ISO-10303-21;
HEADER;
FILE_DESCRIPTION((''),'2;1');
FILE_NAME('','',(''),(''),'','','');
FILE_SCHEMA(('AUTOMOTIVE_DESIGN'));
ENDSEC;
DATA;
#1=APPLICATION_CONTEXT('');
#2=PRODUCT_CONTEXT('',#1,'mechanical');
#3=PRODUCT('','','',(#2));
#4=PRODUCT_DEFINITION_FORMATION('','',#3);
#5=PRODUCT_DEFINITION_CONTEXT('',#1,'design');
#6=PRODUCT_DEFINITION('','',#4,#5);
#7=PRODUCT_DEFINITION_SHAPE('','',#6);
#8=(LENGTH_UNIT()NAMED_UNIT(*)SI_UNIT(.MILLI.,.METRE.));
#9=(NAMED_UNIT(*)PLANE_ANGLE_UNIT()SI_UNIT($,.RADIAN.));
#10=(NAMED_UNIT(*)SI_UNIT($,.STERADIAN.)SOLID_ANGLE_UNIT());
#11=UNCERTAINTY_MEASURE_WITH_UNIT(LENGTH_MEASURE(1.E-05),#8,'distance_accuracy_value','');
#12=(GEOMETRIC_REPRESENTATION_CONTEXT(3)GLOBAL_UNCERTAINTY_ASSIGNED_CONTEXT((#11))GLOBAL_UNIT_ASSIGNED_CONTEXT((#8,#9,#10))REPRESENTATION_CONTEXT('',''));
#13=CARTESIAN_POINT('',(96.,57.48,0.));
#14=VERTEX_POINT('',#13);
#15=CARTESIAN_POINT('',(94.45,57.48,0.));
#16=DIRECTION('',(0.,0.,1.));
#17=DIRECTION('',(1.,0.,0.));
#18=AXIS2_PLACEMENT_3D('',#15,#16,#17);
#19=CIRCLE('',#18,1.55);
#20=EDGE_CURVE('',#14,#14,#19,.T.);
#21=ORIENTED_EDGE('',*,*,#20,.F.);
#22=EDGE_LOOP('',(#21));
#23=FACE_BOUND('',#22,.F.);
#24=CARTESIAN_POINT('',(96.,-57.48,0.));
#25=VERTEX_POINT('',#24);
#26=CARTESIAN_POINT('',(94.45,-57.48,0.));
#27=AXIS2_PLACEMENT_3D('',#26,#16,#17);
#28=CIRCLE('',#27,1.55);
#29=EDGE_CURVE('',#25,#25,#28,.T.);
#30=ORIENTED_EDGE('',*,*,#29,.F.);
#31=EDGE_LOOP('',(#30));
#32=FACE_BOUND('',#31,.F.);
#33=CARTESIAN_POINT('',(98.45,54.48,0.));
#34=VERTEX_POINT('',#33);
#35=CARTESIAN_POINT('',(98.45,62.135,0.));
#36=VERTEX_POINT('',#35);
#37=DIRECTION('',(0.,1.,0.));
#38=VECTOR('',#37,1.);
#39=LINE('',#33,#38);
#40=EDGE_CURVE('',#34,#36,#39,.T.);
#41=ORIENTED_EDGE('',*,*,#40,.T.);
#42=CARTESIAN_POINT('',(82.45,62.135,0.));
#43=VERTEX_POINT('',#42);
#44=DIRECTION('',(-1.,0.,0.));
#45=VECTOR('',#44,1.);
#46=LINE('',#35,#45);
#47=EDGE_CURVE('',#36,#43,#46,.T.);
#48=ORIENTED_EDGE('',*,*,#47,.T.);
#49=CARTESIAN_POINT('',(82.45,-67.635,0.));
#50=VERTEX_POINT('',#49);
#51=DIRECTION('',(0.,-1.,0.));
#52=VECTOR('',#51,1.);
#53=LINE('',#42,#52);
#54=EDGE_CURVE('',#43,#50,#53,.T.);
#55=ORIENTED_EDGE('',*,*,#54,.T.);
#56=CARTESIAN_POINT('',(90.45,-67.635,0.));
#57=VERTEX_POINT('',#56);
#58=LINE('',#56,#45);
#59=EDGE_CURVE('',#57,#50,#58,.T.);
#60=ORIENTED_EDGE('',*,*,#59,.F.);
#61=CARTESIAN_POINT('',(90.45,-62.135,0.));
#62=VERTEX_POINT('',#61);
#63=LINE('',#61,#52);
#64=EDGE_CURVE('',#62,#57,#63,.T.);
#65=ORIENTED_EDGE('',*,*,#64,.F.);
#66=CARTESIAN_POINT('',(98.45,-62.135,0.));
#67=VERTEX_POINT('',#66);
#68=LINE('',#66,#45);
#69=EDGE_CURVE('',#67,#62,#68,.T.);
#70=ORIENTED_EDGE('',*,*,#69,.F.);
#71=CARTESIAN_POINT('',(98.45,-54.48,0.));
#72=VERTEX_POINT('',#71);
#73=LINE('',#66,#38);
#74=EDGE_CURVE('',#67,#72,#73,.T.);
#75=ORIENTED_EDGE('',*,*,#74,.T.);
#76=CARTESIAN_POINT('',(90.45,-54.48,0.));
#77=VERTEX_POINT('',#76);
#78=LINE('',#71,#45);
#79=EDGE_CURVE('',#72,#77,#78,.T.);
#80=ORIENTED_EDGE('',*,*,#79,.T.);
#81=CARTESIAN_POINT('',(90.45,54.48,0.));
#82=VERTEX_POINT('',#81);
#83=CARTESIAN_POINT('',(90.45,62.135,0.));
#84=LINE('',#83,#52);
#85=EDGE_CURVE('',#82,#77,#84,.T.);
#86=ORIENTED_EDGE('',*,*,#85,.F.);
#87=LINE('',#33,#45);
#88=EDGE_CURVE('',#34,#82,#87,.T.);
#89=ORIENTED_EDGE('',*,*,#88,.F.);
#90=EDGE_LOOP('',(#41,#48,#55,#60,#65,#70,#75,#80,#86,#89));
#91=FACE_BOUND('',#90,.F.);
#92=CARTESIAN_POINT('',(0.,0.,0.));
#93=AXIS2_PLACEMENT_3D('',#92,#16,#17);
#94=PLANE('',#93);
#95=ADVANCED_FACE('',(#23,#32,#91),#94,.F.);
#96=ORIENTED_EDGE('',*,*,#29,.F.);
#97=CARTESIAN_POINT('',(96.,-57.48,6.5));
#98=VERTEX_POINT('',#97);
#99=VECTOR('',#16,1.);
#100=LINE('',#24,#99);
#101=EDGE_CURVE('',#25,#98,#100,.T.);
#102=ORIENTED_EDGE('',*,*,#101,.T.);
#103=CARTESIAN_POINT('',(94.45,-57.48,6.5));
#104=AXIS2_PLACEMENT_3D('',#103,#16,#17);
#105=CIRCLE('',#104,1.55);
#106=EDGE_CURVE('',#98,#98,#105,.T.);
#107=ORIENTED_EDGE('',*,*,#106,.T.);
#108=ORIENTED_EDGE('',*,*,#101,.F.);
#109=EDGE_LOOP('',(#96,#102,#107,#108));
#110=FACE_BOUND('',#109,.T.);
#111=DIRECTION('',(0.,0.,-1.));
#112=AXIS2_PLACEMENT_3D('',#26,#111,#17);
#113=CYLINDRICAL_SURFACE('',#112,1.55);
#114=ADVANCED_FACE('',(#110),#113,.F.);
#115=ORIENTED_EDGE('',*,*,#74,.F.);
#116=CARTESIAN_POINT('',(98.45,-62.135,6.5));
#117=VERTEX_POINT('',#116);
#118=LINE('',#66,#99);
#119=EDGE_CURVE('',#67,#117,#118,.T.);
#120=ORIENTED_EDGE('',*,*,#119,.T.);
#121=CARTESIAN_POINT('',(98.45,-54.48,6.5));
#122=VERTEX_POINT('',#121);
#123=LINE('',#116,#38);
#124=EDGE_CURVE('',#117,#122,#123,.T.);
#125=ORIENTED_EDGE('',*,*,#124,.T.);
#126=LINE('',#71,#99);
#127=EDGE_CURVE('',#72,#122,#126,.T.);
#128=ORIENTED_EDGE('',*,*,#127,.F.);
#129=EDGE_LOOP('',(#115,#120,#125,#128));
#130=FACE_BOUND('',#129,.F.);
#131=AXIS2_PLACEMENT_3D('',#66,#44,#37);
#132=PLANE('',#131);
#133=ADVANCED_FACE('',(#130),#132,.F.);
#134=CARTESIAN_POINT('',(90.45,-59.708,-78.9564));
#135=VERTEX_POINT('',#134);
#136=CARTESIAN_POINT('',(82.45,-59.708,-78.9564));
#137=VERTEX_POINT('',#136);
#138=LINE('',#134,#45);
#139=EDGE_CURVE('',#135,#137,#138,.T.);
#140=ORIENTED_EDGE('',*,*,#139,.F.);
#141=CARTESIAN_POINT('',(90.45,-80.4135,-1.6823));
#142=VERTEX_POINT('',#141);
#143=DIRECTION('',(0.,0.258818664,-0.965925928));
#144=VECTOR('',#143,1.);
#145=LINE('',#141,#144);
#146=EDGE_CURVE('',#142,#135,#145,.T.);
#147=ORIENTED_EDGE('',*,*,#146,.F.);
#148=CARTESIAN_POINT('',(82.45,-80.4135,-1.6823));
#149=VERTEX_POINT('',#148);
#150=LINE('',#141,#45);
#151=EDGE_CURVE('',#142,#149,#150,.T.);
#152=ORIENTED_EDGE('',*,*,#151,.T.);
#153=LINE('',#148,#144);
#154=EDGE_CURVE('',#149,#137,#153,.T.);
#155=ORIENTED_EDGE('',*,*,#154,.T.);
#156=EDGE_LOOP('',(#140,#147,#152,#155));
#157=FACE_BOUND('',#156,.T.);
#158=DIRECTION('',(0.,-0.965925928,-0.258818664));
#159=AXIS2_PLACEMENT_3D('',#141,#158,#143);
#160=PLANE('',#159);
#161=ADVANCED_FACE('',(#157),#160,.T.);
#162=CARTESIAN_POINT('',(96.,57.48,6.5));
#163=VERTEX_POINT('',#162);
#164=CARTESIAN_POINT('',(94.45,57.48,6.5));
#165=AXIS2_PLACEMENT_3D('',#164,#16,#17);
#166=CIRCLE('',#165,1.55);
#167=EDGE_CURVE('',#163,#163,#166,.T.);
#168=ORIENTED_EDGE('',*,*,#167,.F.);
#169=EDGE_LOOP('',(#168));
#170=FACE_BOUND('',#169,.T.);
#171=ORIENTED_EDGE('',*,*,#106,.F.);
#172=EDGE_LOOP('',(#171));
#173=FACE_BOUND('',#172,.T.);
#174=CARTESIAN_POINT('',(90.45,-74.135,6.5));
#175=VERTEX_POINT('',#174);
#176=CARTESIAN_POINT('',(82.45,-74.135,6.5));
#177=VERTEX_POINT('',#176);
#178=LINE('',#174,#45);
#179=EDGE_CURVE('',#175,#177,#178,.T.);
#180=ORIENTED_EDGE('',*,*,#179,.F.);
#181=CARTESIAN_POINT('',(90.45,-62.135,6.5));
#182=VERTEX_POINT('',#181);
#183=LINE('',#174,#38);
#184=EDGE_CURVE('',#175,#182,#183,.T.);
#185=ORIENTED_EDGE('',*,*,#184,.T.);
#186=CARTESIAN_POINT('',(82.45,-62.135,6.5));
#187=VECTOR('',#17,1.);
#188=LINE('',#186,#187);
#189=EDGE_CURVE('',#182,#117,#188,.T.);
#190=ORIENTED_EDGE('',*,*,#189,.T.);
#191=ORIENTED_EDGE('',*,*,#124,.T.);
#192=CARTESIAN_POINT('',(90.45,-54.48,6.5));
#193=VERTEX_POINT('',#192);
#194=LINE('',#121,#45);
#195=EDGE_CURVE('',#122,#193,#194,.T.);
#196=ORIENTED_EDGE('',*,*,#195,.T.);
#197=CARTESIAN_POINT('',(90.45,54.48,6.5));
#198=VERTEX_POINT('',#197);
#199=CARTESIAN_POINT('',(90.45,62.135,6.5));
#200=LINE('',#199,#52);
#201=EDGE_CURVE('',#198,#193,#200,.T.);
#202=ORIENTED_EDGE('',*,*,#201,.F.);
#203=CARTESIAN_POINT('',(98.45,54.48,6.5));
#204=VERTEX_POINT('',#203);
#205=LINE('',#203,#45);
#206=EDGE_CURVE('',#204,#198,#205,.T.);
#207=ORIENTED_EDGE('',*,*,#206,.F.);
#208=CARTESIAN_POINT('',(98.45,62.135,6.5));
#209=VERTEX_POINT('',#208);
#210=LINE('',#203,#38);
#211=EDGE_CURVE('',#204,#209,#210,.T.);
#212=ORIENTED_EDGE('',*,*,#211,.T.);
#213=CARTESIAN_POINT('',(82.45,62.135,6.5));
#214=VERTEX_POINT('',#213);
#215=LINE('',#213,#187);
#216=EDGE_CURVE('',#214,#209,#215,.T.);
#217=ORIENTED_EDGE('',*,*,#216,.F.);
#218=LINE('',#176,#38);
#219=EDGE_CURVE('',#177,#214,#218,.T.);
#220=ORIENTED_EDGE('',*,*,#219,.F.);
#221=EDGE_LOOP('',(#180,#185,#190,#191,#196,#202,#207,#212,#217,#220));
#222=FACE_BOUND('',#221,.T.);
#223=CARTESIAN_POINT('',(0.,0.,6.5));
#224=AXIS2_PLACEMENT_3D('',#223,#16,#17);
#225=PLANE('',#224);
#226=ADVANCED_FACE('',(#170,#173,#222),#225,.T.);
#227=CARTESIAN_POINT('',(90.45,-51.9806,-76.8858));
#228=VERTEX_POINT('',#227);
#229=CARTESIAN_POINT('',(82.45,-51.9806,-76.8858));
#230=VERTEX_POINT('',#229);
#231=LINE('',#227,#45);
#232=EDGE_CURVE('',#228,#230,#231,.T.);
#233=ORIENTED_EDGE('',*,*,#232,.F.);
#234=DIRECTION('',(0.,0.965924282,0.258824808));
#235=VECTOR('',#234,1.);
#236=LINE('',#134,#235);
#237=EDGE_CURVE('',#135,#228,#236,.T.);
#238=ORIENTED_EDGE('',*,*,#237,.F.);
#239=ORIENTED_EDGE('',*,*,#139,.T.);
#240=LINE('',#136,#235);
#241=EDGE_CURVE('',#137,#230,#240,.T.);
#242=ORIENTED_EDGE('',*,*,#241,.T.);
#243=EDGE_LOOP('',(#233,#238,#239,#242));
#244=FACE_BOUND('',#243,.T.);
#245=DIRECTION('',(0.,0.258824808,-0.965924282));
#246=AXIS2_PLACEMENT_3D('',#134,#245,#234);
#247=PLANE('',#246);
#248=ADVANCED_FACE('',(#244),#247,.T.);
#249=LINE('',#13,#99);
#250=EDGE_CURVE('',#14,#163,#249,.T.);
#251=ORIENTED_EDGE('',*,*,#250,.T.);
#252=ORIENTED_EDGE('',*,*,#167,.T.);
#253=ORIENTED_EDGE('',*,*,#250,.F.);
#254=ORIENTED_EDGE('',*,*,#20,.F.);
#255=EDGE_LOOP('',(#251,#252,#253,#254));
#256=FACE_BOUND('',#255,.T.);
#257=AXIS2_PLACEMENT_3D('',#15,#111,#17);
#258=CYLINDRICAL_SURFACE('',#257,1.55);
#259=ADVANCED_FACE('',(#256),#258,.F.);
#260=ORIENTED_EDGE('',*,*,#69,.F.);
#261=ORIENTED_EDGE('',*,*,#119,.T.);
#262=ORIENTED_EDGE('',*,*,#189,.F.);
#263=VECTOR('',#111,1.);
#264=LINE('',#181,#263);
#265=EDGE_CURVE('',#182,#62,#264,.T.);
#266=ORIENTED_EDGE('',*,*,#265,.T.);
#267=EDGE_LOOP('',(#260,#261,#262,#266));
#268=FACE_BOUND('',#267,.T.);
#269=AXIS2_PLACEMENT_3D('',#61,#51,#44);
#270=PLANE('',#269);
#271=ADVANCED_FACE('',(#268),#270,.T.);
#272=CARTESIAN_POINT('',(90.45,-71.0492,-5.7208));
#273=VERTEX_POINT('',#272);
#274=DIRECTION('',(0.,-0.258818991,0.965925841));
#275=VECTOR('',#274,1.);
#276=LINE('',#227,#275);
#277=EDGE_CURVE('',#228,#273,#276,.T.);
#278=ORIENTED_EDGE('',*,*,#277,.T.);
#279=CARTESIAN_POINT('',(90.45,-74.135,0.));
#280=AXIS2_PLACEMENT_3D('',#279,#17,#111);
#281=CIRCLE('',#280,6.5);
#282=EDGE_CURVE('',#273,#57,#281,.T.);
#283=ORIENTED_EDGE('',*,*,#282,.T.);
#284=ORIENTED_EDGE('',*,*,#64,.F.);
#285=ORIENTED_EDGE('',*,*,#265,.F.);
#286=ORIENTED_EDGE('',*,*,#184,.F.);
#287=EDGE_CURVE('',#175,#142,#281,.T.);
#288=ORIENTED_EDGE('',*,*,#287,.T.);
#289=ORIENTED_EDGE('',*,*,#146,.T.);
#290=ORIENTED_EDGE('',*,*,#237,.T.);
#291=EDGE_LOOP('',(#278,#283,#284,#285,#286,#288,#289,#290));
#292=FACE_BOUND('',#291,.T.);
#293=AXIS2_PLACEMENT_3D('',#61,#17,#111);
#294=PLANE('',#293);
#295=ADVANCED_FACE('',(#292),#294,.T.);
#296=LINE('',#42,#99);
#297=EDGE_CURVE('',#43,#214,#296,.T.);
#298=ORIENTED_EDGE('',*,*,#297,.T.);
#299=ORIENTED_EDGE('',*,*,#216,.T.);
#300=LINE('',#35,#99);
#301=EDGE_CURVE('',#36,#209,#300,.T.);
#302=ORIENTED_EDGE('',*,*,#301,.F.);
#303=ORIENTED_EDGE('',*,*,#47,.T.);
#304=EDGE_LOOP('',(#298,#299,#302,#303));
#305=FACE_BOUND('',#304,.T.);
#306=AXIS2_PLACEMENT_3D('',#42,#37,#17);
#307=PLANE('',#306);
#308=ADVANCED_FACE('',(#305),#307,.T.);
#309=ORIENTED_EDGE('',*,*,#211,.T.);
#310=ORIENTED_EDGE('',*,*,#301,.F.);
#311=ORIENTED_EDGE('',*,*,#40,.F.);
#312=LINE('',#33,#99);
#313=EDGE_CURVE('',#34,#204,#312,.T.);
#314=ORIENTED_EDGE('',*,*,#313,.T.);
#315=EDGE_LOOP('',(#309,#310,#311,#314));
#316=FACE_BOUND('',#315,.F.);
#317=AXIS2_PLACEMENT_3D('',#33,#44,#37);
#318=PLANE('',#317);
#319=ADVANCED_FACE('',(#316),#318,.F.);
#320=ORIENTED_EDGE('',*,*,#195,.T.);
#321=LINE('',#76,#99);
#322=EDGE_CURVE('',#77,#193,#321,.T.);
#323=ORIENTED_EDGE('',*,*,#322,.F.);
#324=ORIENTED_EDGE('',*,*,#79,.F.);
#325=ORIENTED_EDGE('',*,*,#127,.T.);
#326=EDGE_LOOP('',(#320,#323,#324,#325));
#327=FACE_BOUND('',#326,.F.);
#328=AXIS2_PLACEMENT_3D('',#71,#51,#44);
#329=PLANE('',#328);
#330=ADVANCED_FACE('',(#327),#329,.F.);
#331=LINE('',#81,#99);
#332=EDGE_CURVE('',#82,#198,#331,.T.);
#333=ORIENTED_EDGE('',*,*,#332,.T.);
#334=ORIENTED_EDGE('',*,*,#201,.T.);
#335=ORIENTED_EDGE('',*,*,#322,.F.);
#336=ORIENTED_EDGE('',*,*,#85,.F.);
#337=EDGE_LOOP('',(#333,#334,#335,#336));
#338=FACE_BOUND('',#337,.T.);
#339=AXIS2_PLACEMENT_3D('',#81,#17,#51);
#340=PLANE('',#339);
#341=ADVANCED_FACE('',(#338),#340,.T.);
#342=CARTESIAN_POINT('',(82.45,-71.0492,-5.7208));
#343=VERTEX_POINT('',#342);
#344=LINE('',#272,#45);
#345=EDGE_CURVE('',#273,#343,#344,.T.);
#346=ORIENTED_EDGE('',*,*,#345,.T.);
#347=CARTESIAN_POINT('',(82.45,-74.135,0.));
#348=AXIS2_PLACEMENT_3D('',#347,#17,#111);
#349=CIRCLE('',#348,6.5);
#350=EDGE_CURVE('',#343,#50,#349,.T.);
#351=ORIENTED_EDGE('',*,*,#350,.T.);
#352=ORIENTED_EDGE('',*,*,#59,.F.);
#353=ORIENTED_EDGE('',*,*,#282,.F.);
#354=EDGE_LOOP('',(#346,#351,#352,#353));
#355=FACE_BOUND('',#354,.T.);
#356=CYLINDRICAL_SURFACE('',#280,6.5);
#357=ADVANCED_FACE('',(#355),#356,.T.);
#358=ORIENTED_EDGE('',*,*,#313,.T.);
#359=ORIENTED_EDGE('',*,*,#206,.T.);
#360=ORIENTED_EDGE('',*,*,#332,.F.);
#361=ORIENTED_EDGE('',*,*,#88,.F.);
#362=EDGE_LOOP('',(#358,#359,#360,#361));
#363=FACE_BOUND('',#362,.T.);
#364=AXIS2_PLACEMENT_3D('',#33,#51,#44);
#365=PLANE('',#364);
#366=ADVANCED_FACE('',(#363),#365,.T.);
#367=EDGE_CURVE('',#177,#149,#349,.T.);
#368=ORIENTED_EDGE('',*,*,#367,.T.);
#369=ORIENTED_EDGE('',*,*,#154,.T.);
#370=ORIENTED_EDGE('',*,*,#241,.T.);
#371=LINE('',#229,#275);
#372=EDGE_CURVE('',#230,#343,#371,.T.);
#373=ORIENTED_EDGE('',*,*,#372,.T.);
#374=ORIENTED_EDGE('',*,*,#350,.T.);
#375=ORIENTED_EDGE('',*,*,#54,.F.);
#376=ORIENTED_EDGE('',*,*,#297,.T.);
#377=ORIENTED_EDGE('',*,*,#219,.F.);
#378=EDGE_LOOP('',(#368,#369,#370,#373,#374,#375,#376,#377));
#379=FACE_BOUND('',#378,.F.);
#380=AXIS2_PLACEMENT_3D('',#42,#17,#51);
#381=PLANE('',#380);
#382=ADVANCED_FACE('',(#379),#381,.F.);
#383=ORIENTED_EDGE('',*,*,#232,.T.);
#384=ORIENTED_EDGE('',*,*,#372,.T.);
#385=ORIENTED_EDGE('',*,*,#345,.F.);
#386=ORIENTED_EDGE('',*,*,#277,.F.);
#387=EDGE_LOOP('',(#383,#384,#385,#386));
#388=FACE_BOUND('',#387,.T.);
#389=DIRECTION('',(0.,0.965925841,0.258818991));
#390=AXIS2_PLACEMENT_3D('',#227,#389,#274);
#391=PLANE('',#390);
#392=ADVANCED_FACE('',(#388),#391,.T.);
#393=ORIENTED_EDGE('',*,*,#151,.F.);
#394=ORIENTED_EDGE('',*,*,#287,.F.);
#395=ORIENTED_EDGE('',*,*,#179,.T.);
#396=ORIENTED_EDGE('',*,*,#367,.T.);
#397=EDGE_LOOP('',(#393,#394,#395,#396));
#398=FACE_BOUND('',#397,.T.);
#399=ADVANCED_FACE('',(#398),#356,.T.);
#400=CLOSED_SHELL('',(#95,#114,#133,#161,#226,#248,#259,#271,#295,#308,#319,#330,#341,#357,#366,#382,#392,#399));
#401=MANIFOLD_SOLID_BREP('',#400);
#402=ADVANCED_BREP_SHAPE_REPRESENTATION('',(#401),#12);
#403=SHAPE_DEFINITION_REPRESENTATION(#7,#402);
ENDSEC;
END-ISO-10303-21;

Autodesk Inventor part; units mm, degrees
ref_plane "YZ Plane" through (0, 0, 0) normal (1, 0, 0) x (0, 1, 0)
ref_plane "XZ Plane" through (0, 0, 0) normal (0, 1, 0) x (-1, 0, 0)
ref_plane "XY Plane" through (0, 0, 0) normal (0, 0, 1) x (1, 0, 0)
sketch "Sketch1" plane through (0, 0, 0) normal (0, 0, 1) x (1, 0, 0)
  line L0 (74.45, 62.135) -> (82.45, 62.135) construction
  line L1 (82.45, 62.135) -> (82.45, -62.135)
  line L2 (82.45, -62.135) -> (74.45, -62.135) construction
  circle A0 centre (78.45, 57.48) radius 1.55 construction
  circle A1 centre (78.45, -57.48) radius 1.55
  line L3 (78.45, 57.48) -> (78.45, -57.48) construction
  line L4 (74.45, 0) -> (82.45, 0) construction
  line L5 (74.45, 57.48) -> (82.45, 57.48) construction
  line L6 (74.45, 54.48) -> (82.45, 54.48) construction
  line L7 (74.45, -54.48) -> (82.45, -54.48) construction
  line L8 (82.45, 62.135) -> (90.45, 62.135)
  line L9 (90.45, 62.135) -> (90.45, -62.135)
  line L10 (90.45, -62.135) -> (82.45, -62.135)
  line L11 (82.45, -62.135) -> (82.45, 62.135)
  line L12 (74.45, -62.135) -> (74.45, -54.48) construction
  line L13 (74.45, 54.48) -> (74.45, 62.135) construction
  line L14 (74.45, 54.48) -> (74.45, -54.48) construction
  line L15 (0, 79.555) -> (0, -87.364) construction
  line L16 (74.45, -54.48) -> (82.45, -54.48) construction
  line L17 (82.45, -54.48) -> (82.45, -62.135)
  line L18 (82.45, -62.135) -> (74.45, -62.135) construction
  line L19 (74.45, -62.135) -> (74.45, -54.48) construction
  line L20 (86.45, 62.135) -> (86.45, -62.135) construction
  line L21 (98.45, 62.135) -> (90.45, 62.135)
  line L22 (90.45, 62.135) -> (90.45, -62.135)
  line L23 (90.45, -62.135) -> (98.45, -62.135)
  circle A2 centre (94.45, 57.48) radius 1.55
  circle A3 centre (94.45, -57.48) radius 1.55
  line L24 (98.45, 54.48) -> (90.45, 54.48)
  line L25 (98.45, -54.48) -> (90.45, -54.48)
  line L26 (98.45, 54.48) -> (98.45, 62.135)
  line L27 (98.45, -62.135) -> (98.45, -54.48)
  line L28 (90.45, -54.48) -> (90.45, -62.135)
  line L29 (90.45, -54.48) -> (98.45, -54.48)
  line L30 (98.45, -54.48) -> (98.45, -62.135)
  line L31 (98.45, -62.135) -> (90.45, -62.135)
  line L32 (90.45, -62.135) -> (90.45, -54.48)
  point P0 (0, 0)
  point P1 (78.45, 0)
  point P2 (78.45, 0)
  point P3 (78.45, 62.135)
  point P4 (78.45, -62.135)
  dimension "d0" = 124.27
  dimension "d1" = 8
  dimension "d2" = 3.1
  dimension "d3" = 3.1
  dimension "d4" = 114.96
  dimension "d5" = 3
  dimension "d6" = 78.45
  dimension "d7" = 8
extrude "Extrusion3" add sketch "Sketch1" along normal blind 6.5 contours L8 L9 L10 L1 | L21 L26 L24 L9 | L9 L25 L27 L23
sketch "Sketch4" plane through (90.45, -62.135, 0) normal (1, 0, 0) x (0, 0, -1)
  line L0 (-6.5, 7.655) -> (-6.5, 116.615) projected
  line L1 (-6.5, 0) -> (0, 0)
  line L2 (0, 0) -> (0, -12)
  line L3 (0, -12) -> (-6.5, -12)
  line L4 (-6.5, -12) -> (-6.5, 0)
  circle A0 centre (0, -12) radius 6.5
  line L5 (1.6823, -18.2785) -> (78.9564, 2.427)
  line L6 (78.9564, 2.427) -> (76.8858, 10.1544)
  line L7 (76.8858, 10.1544) -> (5.7208, -8.9142)
  point P0 (0, 62.135)
  point P1 (-7, 124.27)
  dimension "d19" = 12
  dimension "d20" = 75
  dimension "d21" = 8
  dimension "d22" = 80
extrude "Extrusion4" add sketch "Sketch4" against normal up to surface (8 mm away)
properties part number "LCD-holder-left"
